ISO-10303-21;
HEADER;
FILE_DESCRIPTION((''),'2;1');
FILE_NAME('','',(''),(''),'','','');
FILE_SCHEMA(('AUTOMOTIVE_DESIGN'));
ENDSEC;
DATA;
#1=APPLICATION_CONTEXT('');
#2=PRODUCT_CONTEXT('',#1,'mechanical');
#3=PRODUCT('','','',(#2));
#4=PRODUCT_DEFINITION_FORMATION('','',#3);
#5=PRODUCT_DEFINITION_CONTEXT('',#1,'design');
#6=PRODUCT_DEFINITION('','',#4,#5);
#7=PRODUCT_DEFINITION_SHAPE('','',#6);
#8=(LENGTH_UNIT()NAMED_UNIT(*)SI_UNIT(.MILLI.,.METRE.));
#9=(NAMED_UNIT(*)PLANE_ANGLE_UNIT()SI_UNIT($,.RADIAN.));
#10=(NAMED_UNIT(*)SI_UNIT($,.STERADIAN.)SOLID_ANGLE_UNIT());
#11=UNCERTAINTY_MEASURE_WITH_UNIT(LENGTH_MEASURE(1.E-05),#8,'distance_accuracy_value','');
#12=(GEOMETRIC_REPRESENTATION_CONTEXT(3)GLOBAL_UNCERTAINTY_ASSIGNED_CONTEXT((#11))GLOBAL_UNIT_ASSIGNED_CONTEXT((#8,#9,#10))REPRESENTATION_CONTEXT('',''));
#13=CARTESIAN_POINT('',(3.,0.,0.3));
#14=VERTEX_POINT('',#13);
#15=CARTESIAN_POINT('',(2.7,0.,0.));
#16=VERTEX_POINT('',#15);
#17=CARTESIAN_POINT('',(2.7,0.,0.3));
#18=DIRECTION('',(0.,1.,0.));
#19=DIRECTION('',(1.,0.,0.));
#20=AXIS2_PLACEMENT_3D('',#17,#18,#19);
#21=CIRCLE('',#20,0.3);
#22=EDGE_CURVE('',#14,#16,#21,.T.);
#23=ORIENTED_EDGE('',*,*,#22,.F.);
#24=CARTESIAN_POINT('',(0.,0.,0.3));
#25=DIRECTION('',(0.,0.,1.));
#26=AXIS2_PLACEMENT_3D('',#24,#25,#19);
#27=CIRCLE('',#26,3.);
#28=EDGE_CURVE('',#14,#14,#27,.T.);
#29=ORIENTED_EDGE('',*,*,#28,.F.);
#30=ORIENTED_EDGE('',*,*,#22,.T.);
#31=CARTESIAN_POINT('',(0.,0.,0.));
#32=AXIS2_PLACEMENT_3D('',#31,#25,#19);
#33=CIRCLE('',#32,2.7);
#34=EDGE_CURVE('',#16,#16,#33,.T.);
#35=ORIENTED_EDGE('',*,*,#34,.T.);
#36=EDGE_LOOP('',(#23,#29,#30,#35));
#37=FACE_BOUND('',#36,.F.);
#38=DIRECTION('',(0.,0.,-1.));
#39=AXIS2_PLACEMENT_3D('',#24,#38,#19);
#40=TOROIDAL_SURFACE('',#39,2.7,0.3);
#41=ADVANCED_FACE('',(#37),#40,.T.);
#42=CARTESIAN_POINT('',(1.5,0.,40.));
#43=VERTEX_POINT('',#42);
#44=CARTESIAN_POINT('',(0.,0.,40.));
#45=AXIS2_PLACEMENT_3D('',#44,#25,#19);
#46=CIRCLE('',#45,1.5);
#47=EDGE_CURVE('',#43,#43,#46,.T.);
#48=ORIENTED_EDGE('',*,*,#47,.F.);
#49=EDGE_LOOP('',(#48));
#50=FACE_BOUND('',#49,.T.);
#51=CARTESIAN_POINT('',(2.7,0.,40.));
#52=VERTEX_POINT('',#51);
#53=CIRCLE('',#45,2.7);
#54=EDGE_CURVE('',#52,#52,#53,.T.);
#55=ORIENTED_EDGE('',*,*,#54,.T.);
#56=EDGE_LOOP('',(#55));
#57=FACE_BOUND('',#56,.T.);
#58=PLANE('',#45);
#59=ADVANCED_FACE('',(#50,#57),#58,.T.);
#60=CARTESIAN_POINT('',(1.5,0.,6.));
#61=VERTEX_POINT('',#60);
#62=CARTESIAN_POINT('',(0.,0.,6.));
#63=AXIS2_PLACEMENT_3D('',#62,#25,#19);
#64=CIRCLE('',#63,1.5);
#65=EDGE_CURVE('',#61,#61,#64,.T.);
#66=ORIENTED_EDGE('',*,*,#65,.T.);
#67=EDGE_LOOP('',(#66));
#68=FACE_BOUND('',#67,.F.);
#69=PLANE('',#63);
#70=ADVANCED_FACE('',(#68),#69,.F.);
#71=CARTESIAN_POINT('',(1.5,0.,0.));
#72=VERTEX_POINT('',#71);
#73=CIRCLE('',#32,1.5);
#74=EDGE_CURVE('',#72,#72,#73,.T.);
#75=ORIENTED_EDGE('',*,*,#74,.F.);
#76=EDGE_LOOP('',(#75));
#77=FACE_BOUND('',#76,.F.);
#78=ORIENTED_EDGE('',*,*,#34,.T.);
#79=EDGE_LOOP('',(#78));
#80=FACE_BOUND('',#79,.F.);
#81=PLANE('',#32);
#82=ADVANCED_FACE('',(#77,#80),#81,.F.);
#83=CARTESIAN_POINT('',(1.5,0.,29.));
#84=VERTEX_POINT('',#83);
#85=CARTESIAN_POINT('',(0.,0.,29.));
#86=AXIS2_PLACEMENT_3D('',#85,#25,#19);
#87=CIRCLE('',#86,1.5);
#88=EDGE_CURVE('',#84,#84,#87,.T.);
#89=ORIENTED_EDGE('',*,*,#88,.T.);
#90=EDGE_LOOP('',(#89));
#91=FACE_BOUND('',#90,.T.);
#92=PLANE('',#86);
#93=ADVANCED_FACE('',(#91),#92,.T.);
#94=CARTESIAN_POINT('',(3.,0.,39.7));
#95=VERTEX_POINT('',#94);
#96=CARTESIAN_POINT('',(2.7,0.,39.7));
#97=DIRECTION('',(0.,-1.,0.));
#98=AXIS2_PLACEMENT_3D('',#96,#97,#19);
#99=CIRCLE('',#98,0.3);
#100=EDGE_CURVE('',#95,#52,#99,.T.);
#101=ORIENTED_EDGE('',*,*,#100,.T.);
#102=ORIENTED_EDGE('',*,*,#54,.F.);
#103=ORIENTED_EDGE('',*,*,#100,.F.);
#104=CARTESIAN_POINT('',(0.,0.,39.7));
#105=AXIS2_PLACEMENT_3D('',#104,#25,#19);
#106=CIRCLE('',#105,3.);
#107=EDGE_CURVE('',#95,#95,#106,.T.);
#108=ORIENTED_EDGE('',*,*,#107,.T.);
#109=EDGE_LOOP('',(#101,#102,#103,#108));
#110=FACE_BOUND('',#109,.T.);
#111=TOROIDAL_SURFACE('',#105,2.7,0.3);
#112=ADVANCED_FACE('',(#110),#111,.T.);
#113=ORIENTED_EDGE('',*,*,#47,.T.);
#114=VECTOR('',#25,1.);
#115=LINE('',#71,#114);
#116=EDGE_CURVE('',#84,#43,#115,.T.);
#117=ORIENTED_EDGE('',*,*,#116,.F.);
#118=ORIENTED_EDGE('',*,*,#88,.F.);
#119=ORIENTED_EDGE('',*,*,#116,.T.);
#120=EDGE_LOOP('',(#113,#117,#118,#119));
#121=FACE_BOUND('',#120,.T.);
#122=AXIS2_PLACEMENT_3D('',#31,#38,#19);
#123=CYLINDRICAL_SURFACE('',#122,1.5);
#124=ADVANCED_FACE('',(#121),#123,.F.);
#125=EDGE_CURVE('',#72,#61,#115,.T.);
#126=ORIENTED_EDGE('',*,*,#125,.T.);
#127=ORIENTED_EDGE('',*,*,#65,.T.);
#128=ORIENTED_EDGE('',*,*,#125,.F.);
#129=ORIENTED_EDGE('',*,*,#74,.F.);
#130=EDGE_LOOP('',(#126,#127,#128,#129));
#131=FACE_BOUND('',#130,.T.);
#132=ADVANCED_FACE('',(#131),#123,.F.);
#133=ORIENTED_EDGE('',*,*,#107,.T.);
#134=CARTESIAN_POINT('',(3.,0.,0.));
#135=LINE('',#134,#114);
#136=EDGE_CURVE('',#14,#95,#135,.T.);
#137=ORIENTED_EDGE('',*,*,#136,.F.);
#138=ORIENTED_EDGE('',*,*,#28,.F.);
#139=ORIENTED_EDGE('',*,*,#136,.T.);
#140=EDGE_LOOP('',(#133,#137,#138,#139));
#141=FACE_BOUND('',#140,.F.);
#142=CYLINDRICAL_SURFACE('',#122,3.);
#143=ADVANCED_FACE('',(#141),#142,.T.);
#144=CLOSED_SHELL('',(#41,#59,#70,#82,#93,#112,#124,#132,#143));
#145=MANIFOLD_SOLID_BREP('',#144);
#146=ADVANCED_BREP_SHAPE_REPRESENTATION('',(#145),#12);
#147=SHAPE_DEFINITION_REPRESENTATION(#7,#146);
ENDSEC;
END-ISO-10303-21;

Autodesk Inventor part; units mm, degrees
ref_plane "YZ Plane" through (0, 0, 0) normal (1, 0, 0) x (0, 1, 0)
ref_plane "XZ Plane" through (0, 0, 0) normal (0, 1, 0) x (-1, 0, 0)
ref_plane "XY Plane" through (0, 0, 0) normal (0, 0, 1) x (1, 0, 0)
sketch "スケッチ1" plane through (0, 0, 0) normal (0, 0, 1) x (1, 0, 0)
  circle A0 centre (0, 0) radius 3
  circle A1 centre (0, 0) radius 1.5
  dimension "d0" = 6
  dimension "d1" = 3
extrude "押し出し1" add sketch "スケッチ1" along normal blind 40
fillet "フィレット1" radius 0.3 2 edges at (-3, 0, 40) (-3, 0, 0)
thread "ねじ1" size "M3x0.5" class "6H" standard "ANSI Metric M Profile" length 100
extrude "押し出し2" add sketch "スケッチ1" along normal blind 29 contours A1
extrude "押し出し3" cut sketch "スケッチ1" along normal blind 6 contours A1
thread "ねじ2" size "M3x0.5" class "6H" standard "ANSI Metric M Profile" full length
properties part number "スペーサーM3L40アルミ" material "アルミニウム 2014-T4"
